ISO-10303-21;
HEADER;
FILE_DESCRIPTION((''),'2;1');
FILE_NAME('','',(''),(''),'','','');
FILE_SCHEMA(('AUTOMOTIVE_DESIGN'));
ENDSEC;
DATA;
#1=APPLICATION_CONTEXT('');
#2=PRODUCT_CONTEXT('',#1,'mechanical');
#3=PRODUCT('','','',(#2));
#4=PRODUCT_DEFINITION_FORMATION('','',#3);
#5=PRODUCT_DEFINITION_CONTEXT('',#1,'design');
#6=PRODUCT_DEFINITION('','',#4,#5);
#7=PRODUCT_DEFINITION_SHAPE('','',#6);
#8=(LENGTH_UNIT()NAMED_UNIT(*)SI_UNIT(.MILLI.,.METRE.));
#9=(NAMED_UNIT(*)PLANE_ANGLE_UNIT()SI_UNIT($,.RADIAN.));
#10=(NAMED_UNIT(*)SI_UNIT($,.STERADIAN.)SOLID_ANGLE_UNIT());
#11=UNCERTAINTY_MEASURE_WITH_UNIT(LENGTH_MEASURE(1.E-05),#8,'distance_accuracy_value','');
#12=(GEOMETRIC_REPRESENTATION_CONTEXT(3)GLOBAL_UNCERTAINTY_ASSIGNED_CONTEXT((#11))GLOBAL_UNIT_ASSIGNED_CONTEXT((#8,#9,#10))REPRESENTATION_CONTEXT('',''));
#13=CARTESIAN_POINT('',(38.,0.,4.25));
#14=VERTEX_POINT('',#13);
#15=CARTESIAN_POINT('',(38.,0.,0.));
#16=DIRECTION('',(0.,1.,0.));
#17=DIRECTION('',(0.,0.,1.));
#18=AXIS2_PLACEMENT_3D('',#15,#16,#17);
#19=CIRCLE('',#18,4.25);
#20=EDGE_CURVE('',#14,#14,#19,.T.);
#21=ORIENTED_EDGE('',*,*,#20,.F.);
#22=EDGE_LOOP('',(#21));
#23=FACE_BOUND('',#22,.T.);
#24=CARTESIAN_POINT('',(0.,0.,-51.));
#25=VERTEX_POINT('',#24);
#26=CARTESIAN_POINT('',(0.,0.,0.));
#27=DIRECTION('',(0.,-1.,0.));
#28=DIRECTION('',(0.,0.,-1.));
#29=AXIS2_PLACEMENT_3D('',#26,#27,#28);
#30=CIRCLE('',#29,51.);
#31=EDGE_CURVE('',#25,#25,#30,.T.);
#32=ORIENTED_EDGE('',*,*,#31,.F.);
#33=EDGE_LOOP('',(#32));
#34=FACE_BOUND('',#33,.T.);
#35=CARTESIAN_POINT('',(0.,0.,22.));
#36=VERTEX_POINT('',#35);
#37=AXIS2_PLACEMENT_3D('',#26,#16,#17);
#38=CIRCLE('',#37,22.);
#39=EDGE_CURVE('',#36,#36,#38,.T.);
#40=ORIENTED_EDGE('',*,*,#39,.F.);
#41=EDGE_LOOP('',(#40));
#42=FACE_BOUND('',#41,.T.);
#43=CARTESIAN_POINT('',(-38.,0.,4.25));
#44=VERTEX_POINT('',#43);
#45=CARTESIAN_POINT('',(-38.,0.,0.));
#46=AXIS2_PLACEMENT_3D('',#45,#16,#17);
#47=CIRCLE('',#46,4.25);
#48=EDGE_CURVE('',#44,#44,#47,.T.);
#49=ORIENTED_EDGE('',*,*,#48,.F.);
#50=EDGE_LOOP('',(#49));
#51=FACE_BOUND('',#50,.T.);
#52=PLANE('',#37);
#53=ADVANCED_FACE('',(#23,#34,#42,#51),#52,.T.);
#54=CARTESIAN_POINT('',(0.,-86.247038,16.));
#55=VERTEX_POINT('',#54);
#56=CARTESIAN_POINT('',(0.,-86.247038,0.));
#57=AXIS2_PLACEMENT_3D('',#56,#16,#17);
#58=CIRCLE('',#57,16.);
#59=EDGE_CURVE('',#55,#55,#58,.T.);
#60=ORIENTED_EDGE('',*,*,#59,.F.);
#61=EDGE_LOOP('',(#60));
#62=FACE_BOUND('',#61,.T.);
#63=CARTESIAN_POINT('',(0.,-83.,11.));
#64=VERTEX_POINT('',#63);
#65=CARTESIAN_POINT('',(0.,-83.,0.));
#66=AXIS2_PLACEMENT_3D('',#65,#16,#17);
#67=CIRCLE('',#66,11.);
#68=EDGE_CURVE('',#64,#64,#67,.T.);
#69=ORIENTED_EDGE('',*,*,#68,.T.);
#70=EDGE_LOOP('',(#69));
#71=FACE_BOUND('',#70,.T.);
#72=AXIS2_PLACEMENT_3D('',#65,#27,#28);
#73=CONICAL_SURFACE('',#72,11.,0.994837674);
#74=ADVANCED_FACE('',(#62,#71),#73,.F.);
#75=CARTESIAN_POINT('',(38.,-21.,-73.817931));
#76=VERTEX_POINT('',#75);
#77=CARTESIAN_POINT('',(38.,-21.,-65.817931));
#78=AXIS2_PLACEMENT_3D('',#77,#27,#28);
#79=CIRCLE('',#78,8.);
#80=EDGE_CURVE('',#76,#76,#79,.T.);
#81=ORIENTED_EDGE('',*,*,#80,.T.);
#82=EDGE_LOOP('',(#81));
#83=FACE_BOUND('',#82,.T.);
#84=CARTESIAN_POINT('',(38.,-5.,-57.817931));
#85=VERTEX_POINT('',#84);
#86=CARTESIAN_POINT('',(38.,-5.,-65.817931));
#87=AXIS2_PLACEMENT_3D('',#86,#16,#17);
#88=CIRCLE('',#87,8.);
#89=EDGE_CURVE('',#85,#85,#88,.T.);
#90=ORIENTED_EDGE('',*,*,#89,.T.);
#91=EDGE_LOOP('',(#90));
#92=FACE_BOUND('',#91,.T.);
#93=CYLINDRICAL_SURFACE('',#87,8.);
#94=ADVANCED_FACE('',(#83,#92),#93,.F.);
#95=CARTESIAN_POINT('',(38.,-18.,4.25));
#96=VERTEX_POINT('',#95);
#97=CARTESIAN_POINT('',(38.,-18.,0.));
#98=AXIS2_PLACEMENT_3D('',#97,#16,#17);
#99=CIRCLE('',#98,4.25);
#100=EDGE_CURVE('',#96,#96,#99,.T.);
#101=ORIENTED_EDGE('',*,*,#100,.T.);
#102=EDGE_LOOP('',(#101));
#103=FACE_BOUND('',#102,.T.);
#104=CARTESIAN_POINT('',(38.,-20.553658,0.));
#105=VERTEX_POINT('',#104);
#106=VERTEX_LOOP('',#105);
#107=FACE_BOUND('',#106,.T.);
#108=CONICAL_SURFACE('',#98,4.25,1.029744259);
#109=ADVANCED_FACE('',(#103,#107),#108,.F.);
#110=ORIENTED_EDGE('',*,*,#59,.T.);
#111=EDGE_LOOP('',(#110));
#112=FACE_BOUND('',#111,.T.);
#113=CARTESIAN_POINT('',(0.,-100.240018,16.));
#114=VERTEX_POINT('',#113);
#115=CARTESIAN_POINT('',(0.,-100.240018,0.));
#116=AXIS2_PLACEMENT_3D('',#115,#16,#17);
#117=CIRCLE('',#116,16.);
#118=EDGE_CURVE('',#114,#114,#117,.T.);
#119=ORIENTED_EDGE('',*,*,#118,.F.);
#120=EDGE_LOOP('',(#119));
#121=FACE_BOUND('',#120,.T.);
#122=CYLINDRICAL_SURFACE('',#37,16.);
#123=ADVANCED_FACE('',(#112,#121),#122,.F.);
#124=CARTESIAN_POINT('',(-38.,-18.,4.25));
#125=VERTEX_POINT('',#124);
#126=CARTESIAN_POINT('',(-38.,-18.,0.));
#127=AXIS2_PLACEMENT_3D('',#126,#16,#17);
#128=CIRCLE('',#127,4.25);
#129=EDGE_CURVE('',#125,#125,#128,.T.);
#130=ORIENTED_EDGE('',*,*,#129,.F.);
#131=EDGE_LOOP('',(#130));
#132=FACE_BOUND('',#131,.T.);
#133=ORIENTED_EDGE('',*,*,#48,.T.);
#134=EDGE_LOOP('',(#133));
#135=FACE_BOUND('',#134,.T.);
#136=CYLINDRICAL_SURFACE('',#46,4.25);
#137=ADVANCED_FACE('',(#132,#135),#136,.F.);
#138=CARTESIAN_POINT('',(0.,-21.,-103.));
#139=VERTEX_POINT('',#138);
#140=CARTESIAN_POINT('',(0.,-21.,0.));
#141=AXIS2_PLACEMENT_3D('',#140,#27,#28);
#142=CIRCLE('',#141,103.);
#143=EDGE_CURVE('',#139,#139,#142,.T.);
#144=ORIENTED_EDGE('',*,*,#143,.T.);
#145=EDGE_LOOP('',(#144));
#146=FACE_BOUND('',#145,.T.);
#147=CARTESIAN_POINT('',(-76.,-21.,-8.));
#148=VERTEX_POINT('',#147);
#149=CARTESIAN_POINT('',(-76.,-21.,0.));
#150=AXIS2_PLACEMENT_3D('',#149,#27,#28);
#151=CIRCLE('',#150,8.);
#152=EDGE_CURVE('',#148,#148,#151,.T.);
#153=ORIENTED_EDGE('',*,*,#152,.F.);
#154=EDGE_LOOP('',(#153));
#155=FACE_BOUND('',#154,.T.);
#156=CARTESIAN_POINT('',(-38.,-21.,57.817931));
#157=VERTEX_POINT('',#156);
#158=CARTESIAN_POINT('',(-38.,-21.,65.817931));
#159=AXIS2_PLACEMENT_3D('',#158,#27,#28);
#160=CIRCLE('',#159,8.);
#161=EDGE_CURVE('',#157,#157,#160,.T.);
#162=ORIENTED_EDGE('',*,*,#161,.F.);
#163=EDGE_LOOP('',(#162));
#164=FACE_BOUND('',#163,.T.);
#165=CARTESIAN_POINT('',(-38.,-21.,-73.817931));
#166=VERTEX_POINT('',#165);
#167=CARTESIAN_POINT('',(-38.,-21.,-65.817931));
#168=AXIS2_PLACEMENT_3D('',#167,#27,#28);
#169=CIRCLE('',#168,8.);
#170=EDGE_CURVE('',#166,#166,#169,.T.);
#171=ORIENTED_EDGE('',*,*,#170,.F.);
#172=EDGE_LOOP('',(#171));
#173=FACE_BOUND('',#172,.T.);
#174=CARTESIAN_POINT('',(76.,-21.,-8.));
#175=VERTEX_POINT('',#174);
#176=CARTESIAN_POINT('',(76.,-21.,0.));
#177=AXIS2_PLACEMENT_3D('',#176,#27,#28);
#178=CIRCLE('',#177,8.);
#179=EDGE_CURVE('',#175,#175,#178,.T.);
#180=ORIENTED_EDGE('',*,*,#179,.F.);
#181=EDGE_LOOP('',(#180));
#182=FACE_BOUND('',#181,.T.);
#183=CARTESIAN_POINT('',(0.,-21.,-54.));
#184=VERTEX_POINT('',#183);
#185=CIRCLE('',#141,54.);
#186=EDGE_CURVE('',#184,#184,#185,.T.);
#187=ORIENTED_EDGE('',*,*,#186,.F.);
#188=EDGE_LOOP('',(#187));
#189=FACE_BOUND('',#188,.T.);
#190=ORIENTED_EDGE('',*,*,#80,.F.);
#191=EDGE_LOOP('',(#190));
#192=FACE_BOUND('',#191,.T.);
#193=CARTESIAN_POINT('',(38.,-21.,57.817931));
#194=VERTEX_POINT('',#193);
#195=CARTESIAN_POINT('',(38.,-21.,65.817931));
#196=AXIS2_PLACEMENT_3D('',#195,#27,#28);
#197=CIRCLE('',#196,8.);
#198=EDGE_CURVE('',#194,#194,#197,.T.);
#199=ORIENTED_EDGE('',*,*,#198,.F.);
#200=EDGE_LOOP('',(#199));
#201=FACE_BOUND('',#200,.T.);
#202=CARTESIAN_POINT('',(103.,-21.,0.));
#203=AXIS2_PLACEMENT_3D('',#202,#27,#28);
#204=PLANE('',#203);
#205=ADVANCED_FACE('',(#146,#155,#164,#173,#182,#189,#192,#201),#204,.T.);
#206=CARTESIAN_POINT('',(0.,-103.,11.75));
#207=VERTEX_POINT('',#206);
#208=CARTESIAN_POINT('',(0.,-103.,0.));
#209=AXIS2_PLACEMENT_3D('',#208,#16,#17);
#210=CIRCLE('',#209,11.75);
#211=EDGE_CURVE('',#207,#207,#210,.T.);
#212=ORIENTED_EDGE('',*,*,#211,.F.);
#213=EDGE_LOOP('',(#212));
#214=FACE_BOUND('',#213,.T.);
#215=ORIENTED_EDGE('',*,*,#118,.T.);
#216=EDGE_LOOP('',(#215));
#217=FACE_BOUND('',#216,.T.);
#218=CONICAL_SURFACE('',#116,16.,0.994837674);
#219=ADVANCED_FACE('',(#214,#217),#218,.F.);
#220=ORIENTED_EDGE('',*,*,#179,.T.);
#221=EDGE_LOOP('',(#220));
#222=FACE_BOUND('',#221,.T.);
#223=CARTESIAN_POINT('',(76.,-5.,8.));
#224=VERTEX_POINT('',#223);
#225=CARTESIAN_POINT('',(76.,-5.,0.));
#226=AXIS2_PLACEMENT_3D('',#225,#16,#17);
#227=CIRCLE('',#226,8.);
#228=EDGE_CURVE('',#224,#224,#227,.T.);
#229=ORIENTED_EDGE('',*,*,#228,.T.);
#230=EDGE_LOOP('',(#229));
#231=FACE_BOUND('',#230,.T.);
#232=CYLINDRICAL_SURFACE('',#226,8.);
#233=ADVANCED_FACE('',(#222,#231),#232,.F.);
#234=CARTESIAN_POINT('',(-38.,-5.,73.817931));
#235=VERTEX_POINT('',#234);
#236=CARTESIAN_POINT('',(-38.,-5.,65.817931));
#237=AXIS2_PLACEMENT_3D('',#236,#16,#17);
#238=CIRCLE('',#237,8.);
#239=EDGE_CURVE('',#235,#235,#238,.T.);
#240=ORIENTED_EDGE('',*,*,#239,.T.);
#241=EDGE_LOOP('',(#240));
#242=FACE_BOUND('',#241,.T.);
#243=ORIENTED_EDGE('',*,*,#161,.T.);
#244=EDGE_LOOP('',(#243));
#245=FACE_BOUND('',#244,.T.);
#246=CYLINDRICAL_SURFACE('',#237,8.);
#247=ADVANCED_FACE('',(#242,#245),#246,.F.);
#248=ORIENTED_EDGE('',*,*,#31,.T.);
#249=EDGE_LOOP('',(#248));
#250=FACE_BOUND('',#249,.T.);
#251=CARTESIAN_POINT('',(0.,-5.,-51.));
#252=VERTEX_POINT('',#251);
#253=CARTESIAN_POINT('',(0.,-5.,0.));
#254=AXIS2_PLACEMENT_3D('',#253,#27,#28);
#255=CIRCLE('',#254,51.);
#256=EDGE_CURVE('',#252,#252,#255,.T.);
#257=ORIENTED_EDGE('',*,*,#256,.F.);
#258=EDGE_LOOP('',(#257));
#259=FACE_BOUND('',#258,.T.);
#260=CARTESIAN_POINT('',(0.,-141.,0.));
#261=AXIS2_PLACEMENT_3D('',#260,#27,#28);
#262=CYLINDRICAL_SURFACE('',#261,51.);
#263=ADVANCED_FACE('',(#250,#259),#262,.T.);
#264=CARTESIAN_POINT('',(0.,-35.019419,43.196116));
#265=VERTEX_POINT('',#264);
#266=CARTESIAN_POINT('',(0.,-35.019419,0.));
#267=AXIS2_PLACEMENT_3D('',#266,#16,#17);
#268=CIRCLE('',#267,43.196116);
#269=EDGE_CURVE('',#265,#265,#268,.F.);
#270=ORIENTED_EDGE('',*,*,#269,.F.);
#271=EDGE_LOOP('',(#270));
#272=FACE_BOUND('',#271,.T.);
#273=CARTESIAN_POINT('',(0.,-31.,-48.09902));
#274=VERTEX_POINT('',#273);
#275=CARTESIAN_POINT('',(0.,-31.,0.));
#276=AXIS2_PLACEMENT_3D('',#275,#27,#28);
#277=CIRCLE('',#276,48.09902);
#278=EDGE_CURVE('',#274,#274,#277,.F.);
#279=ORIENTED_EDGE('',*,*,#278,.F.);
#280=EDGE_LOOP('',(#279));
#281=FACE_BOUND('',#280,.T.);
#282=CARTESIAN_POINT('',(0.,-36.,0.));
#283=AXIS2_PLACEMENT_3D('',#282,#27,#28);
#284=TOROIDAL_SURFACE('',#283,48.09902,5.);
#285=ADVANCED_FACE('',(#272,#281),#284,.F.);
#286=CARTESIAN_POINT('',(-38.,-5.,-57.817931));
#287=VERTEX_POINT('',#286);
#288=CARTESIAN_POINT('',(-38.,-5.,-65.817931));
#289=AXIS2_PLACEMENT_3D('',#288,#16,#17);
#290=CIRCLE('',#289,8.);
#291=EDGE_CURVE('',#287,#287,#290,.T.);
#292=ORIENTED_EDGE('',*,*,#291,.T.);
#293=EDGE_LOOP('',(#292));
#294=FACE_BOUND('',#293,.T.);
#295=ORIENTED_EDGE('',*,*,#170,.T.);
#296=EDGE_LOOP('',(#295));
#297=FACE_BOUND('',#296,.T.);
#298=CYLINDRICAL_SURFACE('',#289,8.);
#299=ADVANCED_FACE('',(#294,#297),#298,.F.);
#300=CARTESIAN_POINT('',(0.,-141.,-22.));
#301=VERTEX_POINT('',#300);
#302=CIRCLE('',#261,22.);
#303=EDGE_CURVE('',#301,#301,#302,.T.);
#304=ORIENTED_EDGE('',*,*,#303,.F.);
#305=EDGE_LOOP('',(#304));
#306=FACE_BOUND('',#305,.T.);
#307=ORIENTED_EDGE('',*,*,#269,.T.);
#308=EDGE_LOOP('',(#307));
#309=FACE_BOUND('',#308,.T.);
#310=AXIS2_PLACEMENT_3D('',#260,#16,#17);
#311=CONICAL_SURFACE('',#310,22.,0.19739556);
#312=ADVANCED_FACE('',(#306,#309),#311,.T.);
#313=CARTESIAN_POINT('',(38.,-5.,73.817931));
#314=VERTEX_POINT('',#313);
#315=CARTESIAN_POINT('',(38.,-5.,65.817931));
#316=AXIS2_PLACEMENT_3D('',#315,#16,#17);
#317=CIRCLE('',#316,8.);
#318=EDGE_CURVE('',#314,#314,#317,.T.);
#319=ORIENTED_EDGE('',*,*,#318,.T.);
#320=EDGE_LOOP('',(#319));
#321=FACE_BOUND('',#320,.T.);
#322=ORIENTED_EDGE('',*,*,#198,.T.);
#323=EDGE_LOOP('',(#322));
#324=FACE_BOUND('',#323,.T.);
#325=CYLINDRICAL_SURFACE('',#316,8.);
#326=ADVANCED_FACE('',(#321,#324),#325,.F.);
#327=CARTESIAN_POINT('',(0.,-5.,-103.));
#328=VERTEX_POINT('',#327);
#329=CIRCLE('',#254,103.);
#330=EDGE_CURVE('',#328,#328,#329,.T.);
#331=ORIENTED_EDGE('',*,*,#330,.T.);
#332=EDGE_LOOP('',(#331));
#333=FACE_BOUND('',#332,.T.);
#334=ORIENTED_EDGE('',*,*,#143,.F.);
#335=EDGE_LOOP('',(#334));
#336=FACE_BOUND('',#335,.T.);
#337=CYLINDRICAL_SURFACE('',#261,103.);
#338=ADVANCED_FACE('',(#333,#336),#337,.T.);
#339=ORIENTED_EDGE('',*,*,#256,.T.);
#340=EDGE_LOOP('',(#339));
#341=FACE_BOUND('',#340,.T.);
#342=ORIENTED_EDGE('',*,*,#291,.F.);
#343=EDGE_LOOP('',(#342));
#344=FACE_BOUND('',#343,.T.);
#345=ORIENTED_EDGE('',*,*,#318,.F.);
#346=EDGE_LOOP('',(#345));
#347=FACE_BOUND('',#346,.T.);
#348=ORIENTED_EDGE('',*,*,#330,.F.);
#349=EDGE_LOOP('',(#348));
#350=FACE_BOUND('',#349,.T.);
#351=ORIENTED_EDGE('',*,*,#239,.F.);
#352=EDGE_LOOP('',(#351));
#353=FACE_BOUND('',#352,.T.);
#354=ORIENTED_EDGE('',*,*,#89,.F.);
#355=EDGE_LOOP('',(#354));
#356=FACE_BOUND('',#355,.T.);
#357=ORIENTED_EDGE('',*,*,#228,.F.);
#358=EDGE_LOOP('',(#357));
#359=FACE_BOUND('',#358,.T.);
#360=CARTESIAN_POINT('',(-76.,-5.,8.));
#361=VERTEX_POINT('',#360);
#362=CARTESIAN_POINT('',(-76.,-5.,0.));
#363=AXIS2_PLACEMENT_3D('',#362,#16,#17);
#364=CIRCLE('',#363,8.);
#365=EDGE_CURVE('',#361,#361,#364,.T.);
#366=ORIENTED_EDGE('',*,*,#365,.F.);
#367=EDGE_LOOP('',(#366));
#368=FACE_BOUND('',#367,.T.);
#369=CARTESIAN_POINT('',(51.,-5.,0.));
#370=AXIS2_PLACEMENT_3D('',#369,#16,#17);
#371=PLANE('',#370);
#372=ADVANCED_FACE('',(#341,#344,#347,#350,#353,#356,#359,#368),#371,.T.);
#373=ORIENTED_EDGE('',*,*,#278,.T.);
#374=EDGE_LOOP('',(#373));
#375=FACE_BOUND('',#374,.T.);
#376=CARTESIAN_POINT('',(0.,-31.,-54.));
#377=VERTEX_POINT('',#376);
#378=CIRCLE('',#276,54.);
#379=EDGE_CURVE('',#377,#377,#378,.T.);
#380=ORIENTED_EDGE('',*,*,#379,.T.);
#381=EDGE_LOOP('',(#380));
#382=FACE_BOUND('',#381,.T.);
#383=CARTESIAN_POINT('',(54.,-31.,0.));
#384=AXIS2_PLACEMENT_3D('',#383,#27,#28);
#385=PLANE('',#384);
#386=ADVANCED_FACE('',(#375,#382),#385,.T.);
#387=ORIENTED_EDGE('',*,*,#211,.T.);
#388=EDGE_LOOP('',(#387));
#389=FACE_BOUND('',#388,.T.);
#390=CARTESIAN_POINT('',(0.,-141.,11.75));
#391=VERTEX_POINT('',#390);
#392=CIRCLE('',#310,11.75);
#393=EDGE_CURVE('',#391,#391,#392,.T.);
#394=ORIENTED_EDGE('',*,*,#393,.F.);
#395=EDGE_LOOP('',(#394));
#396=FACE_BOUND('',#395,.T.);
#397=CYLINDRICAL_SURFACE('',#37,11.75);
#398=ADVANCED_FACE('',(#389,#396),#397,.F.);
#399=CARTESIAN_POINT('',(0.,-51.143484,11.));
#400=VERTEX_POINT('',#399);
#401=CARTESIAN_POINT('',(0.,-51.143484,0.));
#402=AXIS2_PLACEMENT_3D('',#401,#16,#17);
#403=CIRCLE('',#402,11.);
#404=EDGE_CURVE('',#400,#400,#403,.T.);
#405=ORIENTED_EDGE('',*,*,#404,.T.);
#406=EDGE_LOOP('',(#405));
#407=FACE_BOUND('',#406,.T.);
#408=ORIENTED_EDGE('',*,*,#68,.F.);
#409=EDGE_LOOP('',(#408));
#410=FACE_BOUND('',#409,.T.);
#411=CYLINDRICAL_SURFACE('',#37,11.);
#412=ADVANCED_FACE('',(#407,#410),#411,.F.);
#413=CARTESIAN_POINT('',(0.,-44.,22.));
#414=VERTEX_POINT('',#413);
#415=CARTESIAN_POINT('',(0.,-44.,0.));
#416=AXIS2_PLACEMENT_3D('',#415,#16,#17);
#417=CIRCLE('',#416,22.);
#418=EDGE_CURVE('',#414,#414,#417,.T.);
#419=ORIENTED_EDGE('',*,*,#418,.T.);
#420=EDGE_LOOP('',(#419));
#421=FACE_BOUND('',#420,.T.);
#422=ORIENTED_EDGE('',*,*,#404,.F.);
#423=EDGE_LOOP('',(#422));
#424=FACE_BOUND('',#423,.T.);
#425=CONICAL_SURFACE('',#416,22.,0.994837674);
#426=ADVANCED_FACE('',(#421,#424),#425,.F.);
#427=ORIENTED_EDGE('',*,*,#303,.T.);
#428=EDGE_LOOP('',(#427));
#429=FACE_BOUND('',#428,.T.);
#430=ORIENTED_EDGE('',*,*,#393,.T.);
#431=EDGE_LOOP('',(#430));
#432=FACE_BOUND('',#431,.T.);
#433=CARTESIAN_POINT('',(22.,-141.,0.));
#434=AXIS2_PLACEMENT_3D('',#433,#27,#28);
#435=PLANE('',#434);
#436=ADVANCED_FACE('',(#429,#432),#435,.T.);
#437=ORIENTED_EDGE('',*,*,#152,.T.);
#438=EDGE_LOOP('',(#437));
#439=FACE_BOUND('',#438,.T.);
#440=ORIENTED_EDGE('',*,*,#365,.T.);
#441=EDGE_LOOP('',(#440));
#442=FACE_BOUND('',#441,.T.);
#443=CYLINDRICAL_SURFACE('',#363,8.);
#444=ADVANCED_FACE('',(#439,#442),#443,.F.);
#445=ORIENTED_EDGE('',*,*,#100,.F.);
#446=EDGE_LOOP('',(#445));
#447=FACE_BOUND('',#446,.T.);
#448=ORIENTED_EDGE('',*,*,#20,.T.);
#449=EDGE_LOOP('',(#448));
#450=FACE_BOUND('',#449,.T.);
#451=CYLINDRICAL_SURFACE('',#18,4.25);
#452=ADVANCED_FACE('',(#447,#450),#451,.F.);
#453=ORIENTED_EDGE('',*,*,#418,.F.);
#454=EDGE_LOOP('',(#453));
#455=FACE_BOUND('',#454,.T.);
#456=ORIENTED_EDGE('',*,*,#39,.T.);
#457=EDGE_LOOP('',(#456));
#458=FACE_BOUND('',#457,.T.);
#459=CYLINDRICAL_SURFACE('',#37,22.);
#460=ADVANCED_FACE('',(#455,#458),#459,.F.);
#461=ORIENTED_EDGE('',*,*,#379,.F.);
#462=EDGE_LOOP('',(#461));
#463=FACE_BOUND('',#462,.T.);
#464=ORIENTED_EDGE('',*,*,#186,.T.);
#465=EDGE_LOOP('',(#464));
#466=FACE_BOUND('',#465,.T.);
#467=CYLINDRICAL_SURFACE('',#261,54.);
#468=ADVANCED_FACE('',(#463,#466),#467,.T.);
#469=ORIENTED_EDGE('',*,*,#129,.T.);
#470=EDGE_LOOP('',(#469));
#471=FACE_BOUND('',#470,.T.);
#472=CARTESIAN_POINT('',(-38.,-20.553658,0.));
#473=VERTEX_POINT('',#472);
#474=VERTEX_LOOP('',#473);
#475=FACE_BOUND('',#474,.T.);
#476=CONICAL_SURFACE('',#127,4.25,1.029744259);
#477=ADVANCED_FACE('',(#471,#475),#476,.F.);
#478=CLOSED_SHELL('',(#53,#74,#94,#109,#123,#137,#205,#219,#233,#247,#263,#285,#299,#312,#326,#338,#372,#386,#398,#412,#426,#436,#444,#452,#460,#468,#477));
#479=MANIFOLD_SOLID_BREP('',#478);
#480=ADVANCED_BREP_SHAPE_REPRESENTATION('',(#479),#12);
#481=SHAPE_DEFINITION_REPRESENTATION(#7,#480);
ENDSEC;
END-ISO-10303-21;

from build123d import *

# Parameters (mm, degrees)
RACCORDO1_R                    = 5
FORO_1_0_16_1_D                = 16
RIPETIZIONECIRCOLARE1_COUNT    = 6
FORO_FILETTATO_M10X1_5_1_D     = 8.5
FORO_FILETTATO_M10X1_5_1_DEPTH = 18
FORO_FILETTATO_M10X1_5_1_TIP   = 2.553657631


with BuildPart() as part:
    # Schizzo1 → Rivoluzione1 (revolve)
    with BuildSketch(Plane.XY, mode=Mode.PRIVATE) as rivoluzione1_sk:
        Polygon((0, 0), (51, 0), (51, -5), (103, -5), (103, -21), (54, -21), (54, -31), (44, -31), (22, -141), (0, -141), align=None)
    revolve(rivoluzione1_sk.sketch.rotate(Axis((0, -141, 0), (0, 1, 0)), 90), axis=Axis((0, -141, 0), (0, 1, 0)))

    # Schizzo2 → Taglia-Rivoluzione1 (revolve, cut)
    with BuildSketch(Plane.XY, mode=Mode.PRIVATE) as taglia_rivoluzione1_sk:
        Polygon((0, -141), (-11.75, -141), (-11.75, -103), (-16, -100.240017729), (-16, -86.247037966), (-11, -83), (-11, -51.143483525), (-22, -44), (-22, 0), (0, 0), align=None)
    revolve(taglia_rivoluzione1_sk.sketch.rotate(Axis((0, 0, 0), (0, -1, 0)), 270), axis=Axis((0, 0, 0), (0, -1, 0)), mode=Mode.SUBTRACT)

    # Raccordo1
    raccordo1_edges = [part.edges().sort_by_distance(p)[0] for p in [
        (0, -31, 44),
    ]]
    fillet(raccordo1_edges, radius=RACCORDO1_R)

    # Foro Ø1.0 (16)-1 (through all)
    with Locations(Plane(origin=(0, -5, 0), x_dir=(1, 0, 0), z_dir=(0, 1, 0))):
        with Locations((-76, 0)):
            foro_1_0_16_1 = Hole(FORO_1_0_16_1_D / 2)

    # RipetizioneCircolare1: Foro Ø1.0 (16)-1 ×6 about axis
    ripetizionecircolare1_axis = Axis((0, 0, 0), (0, 1, 0))
    for i in range(1, RIPETIZIONECIRCOLARE1_COUNT):
        add(foro_1_0_16_1.rotate(ripetizionecircolare1_axis, i * 360 / RIPETIZIONECIRCOLARE1_COUNT), mode=Mode.SUBTRACT)

    # Foro filettato M10x1.5-1
    with Locations(Plane(origin=(0, 0, 0), x_dir=(1, 0, 0), z_dir=(0, 1, 0))):
        with Locations((38, 0), (-38, 0)):
            Hole(FORO_FILETTATO_M10X1_5_1_D / 2, depth=FORO_FILETTATO_M10X1_5_1_DEPTH)
            with Locations((0, 0, -(FORO_FILETTATO_M10X1_5_1_DEPTH + FORO_FILETTATO_M10X1_5_1_TIP / 2))):  # 118° drill point
                Cone(0, FORO_FILETTATO_M10X1_5_1_D / 2, FORO_FILETTATO_M10X1_5_1_TIP, mode=Mode.SUBTRACT)


solid = part.part
